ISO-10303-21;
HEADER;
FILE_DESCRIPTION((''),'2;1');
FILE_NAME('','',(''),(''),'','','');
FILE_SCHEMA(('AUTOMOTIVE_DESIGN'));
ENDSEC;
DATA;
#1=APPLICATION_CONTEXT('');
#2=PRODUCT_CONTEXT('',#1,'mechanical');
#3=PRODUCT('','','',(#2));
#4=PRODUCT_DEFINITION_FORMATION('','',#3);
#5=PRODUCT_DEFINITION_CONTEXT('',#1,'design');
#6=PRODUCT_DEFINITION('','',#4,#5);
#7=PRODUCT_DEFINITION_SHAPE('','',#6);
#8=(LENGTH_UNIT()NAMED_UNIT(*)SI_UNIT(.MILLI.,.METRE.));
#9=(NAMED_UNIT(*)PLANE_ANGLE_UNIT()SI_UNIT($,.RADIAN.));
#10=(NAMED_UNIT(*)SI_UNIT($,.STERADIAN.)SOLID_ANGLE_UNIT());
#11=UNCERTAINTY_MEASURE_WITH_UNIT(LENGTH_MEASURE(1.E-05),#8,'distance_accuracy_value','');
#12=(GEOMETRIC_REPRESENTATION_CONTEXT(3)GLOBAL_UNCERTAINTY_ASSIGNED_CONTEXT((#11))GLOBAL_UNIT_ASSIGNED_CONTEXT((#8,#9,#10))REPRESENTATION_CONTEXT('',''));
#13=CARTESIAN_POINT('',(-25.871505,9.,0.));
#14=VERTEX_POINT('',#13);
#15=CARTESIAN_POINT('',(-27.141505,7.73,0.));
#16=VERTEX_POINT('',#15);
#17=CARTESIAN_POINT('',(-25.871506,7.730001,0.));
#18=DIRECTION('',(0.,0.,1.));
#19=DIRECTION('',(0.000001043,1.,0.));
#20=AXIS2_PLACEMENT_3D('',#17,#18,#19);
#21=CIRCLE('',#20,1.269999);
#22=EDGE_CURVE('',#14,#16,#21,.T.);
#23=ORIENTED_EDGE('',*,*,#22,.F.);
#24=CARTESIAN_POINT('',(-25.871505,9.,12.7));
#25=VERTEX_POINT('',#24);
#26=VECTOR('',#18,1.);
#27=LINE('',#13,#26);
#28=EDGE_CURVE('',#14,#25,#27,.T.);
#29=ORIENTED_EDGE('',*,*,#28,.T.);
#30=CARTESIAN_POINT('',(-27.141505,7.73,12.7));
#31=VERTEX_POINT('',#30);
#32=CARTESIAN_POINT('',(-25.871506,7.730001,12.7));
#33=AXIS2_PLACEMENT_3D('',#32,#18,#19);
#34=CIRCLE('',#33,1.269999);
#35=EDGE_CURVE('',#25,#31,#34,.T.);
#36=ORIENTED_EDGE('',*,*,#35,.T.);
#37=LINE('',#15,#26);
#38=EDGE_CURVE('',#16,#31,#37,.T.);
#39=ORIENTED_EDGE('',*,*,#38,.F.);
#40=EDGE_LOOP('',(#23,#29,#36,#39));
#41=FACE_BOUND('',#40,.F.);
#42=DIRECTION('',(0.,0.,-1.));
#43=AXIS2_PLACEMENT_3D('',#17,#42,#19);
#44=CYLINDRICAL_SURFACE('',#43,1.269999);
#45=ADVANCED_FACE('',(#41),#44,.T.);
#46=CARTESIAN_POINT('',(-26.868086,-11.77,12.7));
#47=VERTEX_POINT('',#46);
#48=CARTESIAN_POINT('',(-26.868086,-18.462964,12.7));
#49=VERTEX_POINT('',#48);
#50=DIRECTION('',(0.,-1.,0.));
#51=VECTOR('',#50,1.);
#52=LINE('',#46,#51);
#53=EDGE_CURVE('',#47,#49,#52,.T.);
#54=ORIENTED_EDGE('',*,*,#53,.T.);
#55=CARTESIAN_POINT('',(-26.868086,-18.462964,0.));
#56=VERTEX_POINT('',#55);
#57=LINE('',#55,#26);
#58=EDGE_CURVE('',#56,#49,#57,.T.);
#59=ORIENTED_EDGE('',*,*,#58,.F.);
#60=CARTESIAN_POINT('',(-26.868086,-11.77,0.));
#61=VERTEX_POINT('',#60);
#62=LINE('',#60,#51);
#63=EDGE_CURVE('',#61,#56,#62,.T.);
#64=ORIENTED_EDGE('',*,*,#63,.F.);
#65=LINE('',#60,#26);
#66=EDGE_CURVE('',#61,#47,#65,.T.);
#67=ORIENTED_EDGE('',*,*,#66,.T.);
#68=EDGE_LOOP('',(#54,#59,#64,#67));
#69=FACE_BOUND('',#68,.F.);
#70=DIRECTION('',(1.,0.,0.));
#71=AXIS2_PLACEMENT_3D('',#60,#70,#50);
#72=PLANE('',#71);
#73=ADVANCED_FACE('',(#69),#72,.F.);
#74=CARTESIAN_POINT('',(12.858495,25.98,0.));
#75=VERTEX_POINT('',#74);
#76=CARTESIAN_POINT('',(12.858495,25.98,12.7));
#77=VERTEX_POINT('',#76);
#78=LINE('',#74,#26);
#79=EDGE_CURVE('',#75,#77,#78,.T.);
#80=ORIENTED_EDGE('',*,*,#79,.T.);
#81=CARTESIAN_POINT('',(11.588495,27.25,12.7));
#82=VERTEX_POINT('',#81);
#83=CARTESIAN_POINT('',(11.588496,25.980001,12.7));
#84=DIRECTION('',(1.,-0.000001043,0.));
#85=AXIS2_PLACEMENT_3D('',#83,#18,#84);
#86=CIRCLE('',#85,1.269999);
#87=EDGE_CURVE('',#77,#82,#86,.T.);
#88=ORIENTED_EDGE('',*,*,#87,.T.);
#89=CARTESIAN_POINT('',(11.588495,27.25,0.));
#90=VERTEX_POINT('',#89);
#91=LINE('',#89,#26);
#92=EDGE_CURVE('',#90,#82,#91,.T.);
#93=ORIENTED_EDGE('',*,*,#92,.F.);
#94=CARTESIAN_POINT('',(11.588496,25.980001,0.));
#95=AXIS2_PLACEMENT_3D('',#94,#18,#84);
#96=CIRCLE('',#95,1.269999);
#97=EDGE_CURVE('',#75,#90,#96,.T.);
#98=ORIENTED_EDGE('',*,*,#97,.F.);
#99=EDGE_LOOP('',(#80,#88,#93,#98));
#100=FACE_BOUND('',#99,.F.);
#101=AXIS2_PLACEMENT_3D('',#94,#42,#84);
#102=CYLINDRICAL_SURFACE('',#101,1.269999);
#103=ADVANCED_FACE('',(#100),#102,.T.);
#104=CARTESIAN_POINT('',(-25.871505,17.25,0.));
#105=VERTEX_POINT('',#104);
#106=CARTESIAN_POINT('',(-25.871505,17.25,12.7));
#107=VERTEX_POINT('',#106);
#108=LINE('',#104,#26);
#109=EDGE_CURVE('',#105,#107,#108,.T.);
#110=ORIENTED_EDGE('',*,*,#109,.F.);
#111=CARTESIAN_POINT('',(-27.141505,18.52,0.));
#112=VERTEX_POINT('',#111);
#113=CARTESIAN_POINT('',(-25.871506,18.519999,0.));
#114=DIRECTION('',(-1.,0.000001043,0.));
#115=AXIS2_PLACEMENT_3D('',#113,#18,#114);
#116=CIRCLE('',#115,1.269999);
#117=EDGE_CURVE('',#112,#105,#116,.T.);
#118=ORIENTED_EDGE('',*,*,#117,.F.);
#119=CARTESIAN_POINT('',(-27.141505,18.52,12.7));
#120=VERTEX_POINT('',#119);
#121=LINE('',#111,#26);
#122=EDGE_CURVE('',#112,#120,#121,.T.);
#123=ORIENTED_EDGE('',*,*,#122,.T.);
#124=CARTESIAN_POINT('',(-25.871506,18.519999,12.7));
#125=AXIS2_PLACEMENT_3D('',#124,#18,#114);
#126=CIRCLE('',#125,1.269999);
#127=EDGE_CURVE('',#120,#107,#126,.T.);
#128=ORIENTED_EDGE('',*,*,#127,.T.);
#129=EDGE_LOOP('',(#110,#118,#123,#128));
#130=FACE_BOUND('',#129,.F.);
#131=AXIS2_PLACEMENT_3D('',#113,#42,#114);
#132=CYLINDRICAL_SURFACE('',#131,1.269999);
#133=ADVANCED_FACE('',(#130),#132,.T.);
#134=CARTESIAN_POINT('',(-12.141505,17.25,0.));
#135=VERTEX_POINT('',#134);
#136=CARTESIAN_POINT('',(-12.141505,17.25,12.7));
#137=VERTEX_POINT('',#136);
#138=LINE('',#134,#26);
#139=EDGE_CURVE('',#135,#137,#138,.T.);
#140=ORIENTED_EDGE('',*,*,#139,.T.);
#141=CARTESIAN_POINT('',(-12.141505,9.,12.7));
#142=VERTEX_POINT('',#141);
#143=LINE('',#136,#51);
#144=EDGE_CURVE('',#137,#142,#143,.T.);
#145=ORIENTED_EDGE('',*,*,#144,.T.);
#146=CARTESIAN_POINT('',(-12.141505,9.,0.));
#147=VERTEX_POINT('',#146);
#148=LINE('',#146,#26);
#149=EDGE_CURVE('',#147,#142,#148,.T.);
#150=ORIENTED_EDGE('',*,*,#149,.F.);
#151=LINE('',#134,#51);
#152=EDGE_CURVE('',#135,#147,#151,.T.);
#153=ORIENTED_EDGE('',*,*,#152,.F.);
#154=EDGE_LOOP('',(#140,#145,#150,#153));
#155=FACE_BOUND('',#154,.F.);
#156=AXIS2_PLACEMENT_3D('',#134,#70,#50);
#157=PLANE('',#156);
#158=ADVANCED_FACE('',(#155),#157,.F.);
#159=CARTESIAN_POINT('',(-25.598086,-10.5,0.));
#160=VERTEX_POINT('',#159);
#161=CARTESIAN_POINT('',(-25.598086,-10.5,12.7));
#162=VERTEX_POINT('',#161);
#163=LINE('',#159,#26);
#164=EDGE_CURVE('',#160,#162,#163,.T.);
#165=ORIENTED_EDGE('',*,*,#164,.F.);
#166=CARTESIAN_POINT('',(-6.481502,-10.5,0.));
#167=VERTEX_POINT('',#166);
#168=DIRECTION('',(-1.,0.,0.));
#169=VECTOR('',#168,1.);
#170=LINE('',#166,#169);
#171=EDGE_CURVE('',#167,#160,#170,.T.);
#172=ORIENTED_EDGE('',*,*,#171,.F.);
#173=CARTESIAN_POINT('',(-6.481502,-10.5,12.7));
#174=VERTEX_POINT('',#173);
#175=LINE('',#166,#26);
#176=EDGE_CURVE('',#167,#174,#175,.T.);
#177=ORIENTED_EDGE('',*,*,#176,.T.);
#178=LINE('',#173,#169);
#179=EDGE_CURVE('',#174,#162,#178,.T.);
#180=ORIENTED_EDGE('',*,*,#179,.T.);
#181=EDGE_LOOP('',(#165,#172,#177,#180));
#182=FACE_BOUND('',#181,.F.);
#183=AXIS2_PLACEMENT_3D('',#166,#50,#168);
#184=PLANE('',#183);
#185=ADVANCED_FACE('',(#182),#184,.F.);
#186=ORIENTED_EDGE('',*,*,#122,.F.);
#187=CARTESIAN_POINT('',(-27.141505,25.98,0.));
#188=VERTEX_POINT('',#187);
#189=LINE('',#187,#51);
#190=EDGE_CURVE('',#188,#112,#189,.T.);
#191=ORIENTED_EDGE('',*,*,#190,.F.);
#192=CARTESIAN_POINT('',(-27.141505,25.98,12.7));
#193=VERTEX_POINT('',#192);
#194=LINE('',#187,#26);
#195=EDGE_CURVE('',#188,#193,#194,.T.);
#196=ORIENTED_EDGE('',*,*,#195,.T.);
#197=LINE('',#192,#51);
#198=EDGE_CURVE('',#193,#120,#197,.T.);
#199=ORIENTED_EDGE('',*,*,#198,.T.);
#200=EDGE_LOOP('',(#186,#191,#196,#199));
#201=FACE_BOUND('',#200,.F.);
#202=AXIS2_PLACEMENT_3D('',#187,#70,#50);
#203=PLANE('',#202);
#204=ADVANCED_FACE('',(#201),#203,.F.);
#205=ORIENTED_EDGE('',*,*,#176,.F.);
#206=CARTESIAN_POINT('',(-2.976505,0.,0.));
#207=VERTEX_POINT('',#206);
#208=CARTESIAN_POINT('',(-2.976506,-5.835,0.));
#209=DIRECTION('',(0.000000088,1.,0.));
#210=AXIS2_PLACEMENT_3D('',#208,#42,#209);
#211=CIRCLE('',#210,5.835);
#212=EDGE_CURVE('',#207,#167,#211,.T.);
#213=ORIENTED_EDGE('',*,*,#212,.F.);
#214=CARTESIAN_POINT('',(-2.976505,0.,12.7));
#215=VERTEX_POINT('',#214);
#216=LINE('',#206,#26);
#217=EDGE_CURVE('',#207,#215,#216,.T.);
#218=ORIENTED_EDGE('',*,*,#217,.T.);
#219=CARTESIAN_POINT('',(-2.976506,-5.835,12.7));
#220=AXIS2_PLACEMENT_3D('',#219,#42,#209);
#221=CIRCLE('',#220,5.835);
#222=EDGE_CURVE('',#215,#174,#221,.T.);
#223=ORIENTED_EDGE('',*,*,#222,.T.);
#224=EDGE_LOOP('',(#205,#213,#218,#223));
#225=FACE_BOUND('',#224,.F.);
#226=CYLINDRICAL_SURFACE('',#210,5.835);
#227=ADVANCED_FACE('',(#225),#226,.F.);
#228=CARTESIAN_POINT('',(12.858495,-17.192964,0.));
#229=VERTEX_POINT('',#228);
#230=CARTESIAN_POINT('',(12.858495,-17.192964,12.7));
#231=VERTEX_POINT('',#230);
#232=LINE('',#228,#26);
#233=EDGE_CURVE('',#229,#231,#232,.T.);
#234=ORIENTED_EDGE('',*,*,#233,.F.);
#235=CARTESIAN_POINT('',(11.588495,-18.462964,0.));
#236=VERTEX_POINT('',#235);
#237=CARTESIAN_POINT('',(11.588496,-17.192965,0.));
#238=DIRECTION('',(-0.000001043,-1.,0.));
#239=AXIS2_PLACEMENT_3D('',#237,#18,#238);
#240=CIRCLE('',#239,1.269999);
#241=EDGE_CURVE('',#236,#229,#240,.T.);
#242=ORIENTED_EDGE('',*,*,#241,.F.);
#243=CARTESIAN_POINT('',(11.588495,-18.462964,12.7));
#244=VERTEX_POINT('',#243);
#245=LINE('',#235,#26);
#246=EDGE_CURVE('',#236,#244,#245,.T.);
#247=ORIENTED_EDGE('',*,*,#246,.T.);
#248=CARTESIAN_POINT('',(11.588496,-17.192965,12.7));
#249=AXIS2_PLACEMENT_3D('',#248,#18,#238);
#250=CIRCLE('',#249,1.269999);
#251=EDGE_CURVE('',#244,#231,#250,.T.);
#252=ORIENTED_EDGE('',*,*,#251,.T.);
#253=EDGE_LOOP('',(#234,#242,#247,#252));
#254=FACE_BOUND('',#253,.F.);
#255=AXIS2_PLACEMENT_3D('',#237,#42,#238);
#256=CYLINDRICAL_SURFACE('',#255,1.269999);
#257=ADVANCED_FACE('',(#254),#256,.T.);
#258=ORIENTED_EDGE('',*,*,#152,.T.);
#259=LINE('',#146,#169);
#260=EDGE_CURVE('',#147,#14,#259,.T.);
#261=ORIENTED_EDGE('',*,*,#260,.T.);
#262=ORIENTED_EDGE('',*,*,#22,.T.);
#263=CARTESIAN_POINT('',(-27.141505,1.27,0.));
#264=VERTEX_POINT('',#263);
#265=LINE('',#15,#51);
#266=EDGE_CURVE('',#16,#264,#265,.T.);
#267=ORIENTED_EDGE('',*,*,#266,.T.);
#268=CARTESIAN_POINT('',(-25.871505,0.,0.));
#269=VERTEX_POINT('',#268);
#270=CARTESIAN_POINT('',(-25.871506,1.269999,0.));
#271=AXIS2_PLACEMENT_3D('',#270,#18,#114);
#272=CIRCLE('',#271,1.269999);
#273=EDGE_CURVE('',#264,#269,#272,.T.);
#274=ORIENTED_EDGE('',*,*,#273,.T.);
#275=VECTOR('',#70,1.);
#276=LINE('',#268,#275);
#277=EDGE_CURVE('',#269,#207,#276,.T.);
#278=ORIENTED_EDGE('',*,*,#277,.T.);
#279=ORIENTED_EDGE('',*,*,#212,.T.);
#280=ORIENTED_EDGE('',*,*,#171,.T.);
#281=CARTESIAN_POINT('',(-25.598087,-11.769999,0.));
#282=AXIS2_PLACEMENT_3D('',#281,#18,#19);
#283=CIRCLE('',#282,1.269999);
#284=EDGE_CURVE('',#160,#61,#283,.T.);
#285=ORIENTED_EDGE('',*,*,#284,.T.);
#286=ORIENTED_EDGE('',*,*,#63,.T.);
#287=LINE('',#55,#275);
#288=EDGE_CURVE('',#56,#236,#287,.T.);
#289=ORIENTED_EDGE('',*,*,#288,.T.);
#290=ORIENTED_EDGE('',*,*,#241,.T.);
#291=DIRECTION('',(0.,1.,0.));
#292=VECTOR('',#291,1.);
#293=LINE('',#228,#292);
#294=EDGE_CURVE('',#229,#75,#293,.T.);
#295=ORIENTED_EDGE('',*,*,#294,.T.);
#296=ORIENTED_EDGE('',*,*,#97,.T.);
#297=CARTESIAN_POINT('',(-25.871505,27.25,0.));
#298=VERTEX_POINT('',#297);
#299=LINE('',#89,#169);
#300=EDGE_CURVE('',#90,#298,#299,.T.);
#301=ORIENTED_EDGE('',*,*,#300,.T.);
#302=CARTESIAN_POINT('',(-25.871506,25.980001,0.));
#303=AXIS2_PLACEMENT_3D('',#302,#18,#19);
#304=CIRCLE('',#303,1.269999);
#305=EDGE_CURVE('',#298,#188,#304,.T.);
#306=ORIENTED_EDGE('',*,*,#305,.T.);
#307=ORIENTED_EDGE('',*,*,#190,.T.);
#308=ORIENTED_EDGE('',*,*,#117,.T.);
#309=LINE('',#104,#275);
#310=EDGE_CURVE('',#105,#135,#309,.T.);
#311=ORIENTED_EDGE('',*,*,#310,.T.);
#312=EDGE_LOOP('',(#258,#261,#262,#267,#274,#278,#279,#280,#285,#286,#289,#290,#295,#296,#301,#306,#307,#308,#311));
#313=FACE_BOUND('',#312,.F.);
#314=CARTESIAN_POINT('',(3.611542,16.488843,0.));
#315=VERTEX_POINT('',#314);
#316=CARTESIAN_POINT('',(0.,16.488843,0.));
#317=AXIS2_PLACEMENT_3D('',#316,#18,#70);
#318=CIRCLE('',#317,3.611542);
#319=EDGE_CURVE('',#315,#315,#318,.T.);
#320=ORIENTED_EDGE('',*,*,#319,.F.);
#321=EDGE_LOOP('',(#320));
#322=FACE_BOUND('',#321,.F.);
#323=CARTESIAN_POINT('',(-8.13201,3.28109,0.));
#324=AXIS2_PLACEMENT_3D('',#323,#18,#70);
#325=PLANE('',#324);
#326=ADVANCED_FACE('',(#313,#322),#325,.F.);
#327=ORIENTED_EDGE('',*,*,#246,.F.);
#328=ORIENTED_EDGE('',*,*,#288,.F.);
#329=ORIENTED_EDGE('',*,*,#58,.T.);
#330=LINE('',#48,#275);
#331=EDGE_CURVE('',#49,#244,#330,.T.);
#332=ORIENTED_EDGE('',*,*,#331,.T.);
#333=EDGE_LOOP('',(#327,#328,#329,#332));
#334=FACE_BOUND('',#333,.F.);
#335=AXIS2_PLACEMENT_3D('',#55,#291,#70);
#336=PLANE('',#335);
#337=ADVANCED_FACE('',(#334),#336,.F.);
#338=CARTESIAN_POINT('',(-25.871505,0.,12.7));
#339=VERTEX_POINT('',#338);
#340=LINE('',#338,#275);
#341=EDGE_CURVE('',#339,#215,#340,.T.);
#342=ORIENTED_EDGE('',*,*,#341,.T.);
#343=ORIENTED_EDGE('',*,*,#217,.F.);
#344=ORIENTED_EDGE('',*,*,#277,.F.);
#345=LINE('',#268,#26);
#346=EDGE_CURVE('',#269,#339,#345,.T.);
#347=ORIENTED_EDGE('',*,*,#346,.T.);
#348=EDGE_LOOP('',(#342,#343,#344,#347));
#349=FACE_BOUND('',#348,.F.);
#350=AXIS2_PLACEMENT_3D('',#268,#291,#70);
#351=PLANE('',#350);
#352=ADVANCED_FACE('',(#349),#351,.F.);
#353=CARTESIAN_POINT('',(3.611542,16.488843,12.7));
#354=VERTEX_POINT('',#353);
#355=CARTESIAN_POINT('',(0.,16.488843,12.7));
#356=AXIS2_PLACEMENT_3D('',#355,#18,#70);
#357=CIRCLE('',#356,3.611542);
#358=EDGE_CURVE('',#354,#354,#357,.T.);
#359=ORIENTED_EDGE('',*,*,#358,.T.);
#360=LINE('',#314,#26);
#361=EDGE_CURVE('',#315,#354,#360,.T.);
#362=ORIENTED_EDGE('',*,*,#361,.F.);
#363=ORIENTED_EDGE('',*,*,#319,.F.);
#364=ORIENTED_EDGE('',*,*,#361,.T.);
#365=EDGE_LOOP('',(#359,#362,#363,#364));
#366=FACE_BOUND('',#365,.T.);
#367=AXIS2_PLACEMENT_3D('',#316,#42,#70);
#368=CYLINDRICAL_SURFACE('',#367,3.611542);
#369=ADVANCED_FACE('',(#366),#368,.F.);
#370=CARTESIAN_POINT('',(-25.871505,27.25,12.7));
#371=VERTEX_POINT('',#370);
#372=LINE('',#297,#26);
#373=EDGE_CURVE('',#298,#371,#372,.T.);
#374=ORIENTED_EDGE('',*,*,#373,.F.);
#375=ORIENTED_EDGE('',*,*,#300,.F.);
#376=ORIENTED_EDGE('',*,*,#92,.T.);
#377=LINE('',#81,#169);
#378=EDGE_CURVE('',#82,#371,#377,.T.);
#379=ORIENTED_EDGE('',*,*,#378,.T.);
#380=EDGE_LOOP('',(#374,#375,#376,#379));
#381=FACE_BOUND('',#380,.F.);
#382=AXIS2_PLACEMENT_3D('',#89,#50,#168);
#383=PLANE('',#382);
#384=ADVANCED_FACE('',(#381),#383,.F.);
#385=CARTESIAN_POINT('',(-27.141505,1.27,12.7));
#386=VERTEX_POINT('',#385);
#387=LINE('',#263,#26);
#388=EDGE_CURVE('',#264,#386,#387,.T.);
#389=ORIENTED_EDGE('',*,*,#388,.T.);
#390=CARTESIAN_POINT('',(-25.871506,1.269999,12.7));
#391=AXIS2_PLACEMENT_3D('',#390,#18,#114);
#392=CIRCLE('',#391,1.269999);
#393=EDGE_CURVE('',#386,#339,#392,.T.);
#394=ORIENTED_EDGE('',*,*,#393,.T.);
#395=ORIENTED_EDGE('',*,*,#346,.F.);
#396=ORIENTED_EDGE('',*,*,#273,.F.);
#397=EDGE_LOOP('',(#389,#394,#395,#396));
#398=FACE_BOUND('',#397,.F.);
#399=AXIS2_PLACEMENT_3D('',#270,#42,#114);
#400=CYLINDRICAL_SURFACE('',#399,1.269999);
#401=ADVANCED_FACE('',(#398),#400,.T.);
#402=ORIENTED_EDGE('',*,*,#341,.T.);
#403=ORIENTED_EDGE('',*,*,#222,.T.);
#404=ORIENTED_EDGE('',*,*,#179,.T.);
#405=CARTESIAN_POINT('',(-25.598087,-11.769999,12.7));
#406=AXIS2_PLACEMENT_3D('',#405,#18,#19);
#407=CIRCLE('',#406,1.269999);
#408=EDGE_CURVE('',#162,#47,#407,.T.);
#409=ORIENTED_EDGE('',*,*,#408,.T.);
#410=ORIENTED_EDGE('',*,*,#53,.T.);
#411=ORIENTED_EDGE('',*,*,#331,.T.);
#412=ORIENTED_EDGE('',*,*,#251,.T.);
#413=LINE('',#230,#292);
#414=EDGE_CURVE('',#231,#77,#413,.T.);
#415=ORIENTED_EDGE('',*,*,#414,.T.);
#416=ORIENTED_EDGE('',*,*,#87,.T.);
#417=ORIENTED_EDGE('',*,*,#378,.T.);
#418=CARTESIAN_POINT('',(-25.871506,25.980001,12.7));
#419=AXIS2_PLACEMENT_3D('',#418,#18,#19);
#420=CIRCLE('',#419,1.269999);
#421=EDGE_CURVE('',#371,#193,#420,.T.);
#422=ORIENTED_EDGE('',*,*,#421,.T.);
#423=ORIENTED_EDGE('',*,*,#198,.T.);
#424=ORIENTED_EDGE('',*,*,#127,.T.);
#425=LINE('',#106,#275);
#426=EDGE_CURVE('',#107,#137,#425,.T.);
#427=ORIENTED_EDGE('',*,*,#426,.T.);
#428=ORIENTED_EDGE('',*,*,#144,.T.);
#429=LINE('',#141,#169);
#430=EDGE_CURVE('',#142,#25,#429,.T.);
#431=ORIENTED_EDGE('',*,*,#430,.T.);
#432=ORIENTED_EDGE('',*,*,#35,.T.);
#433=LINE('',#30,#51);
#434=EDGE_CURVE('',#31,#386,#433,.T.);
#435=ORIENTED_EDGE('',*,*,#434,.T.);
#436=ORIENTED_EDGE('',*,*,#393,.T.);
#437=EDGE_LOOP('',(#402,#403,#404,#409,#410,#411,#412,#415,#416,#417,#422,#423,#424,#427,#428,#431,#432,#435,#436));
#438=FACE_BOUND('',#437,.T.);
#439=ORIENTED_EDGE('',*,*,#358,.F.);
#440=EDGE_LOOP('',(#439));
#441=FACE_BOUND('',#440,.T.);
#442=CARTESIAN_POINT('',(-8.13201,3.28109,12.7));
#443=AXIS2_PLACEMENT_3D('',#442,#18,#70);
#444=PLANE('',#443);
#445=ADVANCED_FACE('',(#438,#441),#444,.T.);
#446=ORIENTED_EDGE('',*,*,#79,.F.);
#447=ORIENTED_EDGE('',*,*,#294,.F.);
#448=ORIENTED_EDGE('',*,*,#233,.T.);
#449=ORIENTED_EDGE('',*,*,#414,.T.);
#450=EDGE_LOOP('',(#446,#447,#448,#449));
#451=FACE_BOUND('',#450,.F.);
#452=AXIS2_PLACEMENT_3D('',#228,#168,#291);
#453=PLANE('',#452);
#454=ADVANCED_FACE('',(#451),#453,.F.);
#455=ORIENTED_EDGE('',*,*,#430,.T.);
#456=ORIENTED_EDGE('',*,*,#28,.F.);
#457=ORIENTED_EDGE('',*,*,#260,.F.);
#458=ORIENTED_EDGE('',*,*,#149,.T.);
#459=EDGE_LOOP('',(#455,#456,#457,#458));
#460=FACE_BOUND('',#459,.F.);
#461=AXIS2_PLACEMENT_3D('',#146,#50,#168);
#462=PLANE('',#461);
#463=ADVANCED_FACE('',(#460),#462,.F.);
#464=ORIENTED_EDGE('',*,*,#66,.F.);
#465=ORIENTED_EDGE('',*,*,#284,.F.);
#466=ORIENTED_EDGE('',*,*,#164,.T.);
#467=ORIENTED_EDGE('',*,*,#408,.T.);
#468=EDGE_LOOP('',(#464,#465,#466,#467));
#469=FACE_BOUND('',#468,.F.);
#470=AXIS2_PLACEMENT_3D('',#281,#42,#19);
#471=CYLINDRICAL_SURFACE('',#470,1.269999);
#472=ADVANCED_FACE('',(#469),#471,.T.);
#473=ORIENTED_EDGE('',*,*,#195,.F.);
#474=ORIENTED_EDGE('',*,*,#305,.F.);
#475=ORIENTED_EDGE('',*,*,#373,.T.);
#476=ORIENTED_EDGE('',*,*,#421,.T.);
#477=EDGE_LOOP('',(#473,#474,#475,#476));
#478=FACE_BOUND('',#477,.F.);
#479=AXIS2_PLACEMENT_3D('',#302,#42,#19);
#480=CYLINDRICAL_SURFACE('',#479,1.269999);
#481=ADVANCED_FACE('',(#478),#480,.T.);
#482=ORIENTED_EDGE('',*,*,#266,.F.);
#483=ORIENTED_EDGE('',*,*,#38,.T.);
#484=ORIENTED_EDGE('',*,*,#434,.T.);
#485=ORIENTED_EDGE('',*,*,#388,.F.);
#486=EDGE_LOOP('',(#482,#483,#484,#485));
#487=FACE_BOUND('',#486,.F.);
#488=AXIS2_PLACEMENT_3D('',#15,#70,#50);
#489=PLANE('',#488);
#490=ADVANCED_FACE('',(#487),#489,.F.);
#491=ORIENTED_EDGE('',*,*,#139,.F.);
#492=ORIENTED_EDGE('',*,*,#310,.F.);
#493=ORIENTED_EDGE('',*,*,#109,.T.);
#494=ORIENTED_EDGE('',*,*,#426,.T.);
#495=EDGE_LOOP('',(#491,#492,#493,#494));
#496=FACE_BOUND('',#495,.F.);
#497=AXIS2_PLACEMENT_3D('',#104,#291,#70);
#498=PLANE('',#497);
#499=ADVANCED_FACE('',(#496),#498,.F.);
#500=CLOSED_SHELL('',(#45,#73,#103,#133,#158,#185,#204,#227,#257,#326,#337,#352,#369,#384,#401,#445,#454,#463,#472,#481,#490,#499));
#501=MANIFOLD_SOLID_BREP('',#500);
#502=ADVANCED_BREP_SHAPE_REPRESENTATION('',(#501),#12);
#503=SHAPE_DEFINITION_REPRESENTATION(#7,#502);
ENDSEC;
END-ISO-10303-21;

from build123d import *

# Parameters (mm, degrees)
F0_R     = 3.611542
F1_DEPTH = 12.7


with BuildPart() as f1:
    # F0 (on Top) → F1 (new body)
    with BuildSketch(Plane.XY):
        with BuildLine():
            Line((11.588495, 27.25), (-25.871505, 27.25))
            ThreePointArc((-25.871505, 27.25), (-26.769531, 26.878026), (-27.141505, 25.98))
            Line((-27.141505, 25.98), (-27.141505, 18.52))
            ThreePointArc((-27.141505, 18.52), (-26.769531, 17.621974), (-25.871505, 17.25))
            Line((-25.871505, 17.25), (-12.141505, 17.25))
            Line((-12.141505, 17.25), (-12.141505, 9))
            Line((-12.141505, 9), (-25.871505, 9))
            ThreePointArc((-25.871505, 9), (-26.769531, 8.628026), (-27.141505, 7.73))
            Line((-27.141505, 7.73), (-27.141505, 1.27))
            ThreePointArc((-27.141505, 1.27), (-26.769531, 0.371974), (-25.871505, 0))
            Line((-25.871505, 0), (-2.976505, 0))
            ThreePointArc((-2.976505, 0), (2.558271, -7.682559), (-6.481502, -10.5))
            Line((-6.481502, -10.5), (-25.598086, -10.5))
            ThreePointArc((-25.598086, -10.5), (-26.496112, -10.871974), (-26.868086, -11.77))
            Line((-26.868086, -11.77), (-26.868086, -18.462964))
            Line((-26.868086, -18.462964), (11.588495, -18.462964))
            ThreePointArc((11.588495, -18.462964), (12.486521, -18.09099), (12.858495, -17.192964))
            Line((12.858495, -17.192964), (12.858495, 25.98))
            ThreePointArc((12.858495, 25.98), (12.486521, 26.878026), (11.588495, 27.25))
        make_face()
        with Locations((0, 16.488843)):
            Circle(F0_R, mode=Mode.SUBTRACT)
    extrude(amount=F1_DEPTH)


solid = f1.part
